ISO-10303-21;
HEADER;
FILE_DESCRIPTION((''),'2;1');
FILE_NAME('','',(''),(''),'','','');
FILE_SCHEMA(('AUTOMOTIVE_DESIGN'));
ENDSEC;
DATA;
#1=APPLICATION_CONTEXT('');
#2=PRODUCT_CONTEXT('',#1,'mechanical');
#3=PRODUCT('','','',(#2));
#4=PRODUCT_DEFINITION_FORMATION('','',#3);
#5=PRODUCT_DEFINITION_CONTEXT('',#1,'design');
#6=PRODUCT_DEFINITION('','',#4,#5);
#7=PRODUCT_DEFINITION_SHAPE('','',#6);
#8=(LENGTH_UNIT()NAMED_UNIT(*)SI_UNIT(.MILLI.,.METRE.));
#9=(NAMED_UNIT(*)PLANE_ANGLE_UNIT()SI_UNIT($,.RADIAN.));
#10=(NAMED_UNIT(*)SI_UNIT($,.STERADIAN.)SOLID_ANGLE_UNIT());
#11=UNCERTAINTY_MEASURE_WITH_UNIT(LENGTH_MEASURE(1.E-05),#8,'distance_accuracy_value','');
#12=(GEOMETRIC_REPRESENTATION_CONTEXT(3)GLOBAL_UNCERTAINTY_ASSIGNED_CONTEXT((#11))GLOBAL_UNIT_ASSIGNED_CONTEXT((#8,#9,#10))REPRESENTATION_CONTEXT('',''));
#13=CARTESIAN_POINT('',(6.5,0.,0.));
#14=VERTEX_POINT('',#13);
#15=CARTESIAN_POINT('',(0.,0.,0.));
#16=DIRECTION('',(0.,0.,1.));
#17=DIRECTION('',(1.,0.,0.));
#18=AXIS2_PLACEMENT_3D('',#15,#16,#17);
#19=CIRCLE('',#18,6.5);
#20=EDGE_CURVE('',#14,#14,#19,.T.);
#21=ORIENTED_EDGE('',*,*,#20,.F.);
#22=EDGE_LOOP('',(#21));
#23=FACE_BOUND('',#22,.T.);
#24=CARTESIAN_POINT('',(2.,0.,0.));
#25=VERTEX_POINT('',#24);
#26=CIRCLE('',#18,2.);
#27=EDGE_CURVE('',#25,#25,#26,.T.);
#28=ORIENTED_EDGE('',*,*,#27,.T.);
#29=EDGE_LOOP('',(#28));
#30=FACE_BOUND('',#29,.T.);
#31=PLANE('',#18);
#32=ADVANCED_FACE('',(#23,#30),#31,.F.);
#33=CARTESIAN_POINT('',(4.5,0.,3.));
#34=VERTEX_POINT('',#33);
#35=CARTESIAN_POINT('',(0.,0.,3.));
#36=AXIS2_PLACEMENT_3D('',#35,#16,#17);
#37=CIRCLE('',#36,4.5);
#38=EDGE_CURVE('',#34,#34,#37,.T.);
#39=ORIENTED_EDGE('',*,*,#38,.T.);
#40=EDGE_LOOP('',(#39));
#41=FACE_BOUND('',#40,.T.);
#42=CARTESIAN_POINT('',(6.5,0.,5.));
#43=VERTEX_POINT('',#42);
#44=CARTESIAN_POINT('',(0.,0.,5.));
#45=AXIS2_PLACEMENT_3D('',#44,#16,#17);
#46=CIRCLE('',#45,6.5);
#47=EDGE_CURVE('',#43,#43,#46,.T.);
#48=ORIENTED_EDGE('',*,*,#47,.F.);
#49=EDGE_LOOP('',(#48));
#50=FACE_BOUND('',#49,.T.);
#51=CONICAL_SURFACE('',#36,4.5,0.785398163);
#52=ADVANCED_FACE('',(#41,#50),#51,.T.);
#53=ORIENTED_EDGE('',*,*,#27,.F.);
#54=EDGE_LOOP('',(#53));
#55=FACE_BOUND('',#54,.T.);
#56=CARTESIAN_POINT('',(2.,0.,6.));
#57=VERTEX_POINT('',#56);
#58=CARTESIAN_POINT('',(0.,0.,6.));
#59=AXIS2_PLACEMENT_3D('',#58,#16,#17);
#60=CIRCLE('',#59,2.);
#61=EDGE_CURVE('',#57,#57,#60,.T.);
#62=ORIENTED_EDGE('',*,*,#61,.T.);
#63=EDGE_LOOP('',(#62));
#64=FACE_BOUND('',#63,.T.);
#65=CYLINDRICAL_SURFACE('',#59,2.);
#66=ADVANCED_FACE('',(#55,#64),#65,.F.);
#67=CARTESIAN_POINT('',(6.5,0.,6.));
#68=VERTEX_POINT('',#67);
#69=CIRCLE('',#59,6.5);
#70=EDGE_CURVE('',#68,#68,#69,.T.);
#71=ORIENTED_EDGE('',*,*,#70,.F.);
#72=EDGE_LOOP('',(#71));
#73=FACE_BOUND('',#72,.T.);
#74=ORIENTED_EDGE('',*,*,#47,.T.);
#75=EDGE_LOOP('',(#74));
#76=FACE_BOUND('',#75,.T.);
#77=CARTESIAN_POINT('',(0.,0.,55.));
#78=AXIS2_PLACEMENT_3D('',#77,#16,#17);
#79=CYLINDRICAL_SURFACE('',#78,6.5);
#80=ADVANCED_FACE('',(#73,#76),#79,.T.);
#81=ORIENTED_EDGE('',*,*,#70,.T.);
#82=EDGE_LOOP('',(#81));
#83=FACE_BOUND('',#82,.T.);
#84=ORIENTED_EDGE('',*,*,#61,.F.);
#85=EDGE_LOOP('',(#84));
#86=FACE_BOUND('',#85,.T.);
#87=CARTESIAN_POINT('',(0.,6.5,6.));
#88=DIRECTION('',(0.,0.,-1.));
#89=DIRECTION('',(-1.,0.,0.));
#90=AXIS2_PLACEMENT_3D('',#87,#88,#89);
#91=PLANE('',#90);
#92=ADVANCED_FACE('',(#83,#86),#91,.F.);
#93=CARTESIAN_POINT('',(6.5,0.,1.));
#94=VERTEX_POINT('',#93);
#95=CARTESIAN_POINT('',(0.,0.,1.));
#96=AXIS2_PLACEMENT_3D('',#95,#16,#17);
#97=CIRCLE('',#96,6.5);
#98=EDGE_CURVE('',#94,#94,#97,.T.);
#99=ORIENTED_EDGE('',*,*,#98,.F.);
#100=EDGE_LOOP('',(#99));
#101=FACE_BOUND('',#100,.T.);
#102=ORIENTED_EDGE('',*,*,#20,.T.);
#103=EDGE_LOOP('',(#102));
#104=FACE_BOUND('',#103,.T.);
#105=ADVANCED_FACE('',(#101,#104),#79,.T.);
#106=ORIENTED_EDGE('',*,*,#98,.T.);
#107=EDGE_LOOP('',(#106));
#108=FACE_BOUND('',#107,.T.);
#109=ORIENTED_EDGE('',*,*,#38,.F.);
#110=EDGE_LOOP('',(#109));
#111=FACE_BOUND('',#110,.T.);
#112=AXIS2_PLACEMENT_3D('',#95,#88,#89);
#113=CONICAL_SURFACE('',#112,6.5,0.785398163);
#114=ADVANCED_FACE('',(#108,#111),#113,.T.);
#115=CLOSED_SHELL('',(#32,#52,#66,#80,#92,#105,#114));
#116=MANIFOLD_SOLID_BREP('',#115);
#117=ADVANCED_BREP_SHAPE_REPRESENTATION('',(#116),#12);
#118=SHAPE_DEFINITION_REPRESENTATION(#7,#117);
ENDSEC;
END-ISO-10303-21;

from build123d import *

# Parameters (mm, degrees)
F_4_0_4_DIAMETER_HOLE1_D = 4


with BuildPart() as part:
    # Sketch1 → Revolve1 (revolve)
    with BuildSketch(Plane(origin=(0, 0, 0), x_dir=(0, 0, -1), z_dir=(1, 0, 0)), mode=Mode.PRIVATE) as revolve1_sk:
        Polygon((0, 0), (0, 6.5), (-1, 6.5), (-3, 4.5), (-5, 6.5), (-6, 6.5), (-6, 0), align=None)
    revolve(revolve1_sk.sketch.rotate(Axis((0, 0, 55), (0, 0, -1)), 90), axis=Axis((0, 0, 55), (0, 0, -1)))

    # Ø4.0 (4) Diameter Hole1 (through all)
    with Locations(Plane.XY.offset(6)):
        with Locations((0, 0)):
            Hole(F_4_0_4_DIAMETER_HOLE1_D / 2)


solid = part.part
